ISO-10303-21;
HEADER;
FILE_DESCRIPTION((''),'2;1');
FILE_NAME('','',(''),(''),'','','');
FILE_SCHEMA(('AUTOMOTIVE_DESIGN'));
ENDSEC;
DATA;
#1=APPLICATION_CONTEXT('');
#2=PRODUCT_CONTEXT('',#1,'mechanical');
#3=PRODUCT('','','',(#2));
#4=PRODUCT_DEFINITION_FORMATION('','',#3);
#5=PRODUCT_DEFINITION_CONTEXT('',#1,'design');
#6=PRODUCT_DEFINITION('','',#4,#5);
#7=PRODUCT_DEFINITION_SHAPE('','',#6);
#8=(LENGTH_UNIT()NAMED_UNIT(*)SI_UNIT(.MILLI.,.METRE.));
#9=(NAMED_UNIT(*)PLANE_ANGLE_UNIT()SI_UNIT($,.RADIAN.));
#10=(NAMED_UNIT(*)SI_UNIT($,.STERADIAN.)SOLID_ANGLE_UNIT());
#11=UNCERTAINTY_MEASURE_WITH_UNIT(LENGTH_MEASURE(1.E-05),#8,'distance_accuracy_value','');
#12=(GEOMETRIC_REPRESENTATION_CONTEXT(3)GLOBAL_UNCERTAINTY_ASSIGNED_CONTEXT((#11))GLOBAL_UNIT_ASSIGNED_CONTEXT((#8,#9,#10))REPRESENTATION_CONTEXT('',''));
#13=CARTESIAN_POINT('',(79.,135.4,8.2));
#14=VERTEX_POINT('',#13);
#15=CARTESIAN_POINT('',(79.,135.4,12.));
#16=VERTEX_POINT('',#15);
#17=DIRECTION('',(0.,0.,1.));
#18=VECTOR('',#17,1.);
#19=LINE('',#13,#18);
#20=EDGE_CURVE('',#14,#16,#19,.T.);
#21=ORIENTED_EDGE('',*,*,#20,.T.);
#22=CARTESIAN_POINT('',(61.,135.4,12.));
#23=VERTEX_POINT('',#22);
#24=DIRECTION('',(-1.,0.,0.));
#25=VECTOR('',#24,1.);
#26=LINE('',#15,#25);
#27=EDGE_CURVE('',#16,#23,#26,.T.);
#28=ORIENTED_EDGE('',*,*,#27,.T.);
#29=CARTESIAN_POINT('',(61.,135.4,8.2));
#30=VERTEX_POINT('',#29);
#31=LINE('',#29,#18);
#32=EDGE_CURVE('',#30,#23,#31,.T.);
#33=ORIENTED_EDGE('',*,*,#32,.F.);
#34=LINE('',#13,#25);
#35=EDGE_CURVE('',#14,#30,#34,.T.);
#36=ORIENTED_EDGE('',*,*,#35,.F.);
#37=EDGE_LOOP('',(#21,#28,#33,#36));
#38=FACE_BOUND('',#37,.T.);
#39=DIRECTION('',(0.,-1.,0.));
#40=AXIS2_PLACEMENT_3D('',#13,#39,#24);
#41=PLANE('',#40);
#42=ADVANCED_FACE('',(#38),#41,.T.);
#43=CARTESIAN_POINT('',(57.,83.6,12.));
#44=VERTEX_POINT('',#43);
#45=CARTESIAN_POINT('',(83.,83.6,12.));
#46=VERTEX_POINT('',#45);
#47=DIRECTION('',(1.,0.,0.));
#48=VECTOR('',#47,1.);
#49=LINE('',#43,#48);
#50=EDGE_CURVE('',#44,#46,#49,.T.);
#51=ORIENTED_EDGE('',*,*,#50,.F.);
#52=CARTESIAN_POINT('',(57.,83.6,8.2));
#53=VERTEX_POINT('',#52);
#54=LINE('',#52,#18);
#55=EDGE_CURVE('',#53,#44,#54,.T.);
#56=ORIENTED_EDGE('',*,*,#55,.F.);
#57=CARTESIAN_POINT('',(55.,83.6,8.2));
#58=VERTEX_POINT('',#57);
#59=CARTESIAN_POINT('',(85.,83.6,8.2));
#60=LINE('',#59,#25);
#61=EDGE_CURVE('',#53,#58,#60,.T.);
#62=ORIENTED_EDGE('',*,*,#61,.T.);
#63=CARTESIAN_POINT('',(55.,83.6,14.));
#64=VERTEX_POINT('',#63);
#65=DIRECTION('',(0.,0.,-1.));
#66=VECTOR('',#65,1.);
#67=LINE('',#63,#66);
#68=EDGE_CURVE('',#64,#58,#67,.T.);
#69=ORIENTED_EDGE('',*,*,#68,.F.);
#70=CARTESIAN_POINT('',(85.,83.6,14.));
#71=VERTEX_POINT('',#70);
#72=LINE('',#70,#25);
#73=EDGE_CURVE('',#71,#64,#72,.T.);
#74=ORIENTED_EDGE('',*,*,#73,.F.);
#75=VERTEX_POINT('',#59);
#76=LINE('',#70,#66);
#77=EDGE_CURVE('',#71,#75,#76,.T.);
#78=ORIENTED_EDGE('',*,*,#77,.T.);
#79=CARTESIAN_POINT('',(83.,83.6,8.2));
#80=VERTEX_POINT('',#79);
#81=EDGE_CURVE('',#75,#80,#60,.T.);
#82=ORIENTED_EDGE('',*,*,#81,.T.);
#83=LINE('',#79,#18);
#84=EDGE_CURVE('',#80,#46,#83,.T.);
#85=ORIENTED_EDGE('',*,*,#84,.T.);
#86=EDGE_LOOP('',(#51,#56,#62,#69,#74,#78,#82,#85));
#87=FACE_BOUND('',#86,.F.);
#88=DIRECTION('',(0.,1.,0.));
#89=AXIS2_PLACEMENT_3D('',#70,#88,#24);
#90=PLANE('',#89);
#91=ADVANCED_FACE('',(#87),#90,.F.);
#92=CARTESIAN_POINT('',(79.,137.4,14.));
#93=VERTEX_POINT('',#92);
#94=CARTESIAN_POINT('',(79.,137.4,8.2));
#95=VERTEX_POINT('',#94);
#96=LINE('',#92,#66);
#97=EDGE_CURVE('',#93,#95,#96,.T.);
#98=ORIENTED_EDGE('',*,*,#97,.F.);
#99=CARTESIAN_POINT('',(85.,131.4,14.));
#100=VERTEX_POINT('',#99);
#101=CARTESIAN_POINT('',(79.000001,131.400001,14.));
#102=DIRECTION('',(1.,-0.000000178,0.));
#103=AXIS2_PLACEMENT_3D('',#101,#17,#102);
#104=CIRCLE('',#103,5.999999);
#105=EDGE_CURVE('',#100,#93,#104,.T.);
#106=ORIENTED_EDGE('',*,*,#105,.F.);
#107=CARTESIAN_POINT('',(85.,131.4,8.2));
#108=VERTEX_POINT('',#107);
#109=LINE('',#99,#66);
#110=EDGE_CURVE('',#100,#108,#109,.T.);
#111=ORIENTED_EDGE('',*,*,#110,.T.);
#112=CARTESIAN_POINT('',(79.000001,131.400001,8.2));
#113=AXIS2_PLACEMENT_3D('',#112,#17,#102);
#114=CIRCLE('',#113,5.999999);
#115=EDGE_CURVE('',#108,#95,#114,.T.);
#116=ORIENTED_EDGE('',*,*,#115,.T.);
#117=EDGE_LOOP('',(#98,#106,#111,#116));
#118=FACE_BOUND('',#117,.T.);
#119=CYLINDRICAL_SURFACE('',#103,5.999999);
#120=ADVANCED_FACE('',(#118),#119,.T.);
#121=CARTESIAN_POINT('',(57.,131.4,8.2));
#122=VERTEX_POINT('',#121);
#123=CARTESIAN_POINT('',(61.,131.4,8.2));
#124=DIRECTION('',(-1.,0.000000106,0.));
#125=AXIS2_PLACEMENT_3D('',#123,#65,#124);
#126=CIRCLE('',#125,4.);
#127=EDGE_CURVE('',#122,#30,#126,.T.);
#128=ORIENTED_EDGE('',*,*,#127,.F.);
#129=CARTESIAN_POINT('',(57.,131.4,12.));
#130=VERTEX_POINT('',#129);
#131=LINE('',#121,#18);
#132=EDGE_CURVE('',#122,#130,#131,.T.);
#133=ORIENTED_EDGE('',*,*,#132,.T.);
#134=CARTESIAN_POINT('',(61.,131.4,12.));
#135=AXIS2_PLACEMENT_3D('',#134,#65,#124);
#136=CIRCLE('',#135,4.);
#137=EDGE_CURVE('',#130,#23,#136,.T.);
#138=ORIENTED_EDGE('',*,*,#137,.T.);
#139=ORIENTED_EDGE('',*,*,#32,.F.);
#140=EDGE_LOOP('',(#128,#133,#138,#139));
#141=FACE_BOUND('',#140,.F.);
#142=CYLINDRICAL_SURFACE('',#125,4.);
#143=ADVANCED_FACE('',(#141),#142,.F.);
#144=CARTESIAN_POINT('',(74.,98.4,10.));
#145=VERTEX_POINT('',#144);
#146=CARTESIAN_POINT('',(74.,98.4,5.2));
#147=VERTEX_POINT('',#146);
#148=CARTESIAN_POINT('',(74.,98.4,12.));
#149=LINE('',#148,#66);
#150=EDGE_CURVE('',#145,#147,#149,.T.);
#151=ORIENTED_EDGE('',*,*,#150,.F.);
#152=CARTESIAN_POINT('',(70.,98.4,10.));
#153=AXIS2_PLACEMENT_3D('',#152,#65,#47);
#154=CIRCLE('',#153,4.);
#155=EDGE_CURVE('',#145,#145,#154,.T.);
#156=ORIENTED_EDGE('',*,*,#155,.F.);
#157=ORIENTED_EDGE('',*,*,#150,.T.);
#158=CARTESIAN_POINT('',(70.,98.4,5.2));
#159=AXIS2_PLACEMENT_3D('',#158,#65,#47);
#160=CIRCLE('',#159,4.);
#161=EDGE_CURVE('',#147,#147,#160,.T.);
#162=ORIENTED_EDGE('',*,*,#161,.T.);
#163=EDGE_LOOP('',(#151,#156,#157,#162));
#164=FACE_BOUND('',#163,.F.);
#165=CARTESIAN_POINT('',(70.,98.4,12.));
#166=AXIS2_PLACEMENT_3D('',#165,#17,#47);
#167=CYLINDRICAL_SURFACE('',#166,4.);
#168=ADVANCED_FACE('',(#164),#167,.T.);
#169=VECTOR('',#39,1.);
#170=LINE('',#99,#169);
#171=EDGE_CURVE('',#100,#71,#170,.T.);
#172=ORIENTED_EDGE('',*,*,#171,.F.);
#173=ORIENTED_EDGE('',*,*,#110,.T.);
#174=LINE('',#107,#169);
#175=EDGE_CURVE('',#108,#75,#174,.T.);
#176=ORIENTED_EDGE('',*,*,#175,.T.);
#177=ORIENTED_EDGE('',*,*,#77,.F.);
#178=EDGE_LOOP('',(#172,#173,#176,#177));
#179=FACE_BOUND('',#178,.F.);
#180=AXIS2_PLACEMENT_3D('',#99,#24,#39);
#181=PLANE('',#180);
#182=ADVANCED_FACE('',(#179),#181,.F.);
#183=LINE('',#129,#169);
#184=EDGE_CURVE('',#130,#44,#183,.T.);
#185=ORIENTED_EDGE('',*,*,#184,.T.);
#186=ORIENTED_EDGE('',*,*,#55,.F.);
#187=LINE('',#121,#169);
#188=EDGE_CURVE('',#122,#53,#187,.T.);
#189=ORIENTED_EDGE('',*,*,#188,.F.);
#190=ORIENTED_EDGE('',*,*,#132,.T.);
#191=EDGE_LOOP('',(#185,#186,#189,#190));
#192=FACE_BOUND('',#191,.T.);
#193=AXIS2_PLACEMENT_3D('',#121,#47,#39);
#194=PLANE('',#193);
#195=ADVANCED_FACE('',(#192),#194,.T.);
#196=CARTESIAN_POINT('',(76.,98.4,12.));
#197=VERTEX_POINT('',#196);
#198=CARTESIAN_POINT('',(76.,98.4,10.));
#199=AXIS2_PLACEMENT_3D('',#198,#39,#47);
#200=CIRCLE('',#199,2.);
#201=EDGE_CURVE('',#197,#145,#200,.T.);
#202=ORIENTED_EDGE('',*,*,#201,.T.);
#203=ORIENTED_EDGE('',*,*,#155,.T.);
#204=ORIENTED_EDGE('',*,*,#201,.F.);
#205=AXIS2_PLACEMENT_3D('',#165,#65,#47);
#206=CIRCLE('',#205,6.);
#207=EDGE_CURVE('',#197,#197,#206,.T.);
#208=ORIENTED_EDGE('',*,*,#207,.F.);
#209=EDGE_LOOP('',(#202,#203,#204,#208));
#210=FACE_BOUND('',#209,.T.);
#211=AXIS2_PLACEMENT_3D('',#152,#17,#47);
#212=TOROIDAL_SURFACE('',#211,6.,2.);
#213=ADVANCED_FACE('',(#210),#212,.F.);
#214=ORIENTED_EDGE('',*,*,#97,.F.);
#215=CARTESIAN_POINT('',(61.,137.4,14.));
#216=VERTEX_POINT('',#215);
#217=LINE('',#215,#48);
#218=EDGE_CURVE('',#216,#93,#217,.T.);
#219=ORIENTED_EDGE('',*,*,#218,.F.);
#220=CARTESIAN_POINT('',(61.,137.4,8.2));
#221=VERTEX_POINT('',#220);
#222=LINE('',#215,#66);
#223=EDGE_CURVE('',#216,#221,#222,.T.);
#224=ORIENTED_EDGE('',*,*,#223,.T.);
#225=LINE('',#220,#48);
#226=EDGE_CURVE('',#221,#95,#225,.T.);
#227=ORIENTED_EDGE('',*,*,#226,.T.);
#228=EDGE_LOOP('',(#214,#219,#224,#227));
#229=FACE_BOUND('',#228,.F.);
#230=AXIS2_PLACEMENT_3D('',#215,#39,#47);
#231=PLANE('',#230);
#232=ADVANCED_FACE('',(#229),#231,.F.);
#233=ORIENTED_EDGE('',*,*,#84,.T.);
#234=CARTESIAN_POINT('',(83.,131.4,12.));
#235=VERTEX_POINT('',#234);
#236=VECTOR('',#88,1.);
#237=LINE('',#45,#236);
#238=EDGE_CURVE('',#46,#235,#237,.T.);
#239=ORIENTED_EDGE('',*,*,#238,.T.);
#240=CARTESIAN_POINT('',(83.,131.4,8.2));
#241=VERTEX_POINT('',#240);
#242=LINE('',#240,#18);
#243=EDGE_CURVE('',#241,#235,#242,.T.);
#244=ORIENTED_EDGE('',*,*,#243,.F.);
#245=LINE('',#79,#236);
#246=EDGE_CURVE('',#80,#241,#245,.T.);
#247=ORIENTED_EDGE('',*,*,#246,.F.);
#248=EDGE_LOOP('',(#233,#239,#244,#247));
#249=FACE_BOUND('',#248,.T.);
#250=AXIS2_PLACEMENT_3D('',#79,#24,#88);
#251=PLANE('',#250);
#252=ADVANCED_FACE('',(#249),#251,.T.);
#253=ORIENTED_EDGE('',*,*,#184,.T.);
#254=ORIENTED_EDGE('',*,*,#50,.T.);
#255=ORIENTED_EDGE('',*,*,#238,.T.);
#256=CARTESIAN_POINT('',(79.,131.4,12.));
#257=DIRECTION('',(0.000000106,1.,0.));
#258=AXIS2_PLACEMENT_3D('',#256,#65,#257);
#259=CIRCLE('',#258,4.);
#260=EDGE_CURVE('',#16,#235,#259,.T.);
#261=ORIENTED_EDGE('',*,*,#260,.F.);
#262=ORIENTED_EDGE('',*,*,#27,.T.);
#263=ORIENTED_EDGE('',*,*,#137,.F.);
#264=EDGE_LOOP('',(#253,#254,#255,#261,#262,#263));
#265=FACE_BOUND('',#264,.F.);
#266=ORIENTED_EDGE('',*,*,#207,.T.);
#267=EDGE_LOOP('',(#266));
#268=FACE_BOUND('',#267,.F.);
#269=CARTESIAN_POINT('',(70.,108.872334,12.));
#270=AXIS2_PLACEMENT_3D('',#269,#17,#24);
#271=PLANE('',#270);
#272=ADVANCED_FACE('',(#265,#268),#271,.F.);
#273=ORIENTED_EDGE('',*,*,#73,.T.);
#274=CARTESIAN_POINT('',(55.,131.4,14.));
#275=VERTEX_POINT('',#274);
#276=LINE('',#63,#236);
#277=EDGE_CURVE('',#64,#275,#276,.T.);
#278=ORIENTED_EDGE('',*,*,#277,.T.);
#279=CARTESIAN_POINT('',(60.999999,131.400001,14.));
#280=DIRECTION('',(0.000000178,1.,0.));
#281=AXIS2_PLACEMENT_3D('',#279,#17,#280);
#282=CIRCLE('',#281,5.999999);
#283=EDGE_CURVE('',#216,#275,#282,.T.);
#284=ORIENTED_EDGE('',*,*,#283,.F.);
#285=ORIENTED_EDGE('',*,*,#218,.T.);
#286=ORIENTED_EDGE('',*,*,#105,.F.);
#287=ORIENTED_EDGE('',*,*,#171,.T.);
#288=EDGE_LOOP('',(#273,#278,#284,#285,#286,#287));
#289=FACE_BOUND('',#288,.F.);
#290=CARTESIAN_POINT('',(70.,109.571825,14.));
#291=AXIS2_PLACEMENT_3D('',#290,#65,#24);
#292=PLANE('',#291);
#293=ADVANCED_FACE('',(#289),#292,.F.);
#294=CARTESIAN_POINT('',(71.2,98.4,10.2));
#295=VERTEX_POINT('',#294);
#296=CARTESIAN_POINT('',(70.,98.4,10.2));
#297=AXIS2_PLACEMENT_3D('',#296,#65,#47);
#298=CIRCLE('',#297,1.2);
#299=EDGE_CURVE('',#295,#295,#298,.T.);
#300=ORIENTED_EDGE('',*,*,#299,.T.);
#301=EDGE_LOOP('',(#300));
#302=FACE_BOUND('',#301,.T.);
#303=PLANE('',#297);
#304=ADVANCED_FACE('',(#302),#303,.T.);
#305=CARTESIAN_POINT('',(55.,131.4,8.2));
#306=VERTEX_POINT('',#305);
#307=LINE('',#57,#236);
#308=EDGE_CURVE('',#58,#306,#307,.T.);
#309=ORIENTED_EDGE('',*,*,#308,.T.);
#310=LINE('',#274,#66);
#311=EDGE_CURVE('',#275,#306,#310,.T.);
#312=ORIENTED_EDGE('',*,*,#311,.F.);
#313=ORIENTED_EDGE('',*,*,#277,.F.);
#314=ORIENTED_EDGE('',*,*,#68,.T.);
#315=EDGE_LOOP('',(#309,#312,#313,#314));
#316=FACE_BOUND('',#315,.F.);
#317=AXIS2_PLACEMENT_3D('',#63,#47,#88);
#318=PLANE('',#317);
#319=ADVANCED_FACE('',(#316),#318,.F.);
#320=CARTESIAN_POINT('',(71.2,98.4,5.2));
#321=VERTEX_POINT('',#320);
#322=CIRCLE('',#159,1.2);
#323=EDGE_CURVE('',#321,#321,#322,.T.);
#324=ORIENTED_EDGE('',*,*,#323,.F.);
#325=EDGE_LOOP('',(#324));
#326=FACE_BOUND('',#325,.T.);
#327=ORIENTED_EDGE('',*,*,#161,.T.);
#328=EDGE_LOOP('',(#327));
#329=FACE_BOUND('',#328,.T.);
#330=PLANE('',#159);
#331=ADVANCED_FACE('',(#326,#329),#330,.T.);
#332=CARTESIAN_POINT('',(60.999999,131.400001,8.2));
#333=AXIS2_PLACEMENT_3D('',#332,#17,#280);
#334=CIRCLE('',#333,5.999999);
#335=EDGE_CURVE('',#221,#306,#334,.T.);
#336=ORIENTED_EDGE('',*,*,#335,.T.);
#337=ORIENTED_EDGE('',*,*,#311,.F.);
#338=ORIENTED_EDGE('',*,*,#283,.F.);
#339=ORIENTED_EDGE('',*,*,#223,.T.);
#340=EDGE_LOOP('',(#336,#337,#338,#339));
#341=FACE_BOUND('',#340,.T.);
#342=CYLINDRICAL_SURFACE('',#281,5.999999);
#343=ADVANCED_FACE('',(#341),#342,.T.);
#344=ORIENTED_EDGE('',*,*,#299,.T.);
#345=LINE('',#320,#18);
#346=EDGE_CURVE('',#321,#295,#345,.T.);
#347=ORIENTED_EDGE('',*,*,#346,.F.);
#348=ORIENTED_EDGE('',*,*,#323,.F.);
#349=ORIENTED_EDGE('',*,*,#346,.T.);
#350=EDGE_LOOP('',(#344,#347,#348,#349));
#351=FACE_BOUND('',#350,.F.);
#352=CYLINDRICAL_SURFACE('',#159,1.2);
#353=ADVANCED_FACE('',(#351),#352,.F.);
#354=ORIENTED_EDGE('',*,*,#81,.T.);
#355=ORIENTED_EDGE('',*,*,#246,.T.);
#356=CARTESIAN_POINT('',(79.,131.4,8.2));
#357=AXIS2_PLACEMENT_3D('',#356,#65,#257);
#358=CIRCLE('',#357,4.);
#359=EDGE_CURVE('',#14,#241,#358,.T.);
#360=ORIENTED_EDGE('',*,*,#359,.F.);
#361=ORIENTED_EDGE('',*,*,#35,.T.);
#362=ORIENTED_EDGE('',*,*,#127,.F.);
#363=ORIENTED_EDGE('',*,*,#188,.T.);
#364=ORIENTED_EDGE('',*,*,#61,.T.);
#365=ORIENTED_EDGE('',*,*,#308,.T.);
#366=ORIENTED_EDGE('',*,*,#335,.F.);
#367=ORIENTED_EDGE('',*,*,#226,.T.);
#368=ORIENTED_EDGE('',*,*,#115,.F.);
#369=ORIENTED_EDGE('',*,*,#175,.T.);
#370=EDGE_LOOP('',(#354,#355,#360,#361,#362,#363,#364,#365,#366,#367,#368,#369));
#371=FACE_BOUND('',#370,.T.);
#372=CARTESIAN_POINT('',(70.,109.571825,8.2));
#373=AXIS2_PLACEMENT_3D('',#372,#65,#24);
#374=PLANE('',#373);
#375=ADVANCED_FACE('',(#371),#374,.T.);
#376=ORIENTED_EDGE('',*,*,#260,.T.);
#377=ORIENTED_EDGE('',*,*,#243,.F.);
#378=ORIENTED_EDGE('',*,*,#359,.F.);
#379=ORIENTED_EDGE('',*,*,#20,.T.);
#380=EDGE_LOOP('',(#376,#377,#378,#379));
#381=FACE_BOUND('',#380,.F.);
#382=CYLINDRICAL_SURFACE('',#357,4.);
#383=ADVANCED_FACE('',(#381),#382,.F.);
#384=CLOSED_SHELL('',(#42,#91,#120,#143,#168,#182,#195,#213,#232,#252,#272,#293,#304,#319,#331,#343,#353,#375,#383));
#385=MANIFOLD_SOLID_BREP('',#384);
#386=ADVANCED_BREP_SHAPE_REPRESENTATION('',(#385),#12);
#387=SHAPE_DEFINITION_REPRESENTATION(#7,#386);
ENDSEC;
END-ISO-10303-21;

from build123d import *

# Parameters (mm, degrees)
PAD016_DEPTH    = 5.8
POCKET020_DEPTH = 3.8
SKETCH068_R     = 4
PAD017_DEPTH    = 6.8
SKETCH069_R     = 1.2
POCKET021_DEPTH = 5
FILLET002_R     = 2


with BuildPart() as part:
    # Sketch066 (on DatumPlane) → Pad016 (new body)
    with BuildSketch(Plane.XY.offset(14)):
        with BuildLine():
            Line((61, 137.4), (79, 137.4))
            ThreePointArc((85, 131.4), (83.242641, 135.642641), (79, 137.4))
            Line((85, 131.4), (85, 83.6))
            Line((85, 83.6), (55, 83.6))
            Line((55, 83.6), (55, 131.4))
            ThreePointArc((61, 137.4), (56.757359, 135.642641), (55, 131.4))
        make_face()
    extrude(amount=-PAD016_DEPTH)

    # Sketch067 (on Face8 of Pad016) → Pocket020 (cut)
    with BuildSketch(Plane(origin=(0, 0, 8.2), x_dir=(1, 0, 0), z_dir=(0, 0, -1))):
        with BuildLine():
            Line((57, -83.6), (83, -83.6))
            Line((83, -83.6), (83, -131.4))
            ThreePointArc((79, -135.4), (81.828427, -134.228427), (83, -131.4))
            Line((79, -135.4), (61, -135.4))
            ThreePointArc((57, -131.4), (58.171573, -134.228427), (61, -135.4))
            Line((57, -131.4), (57, -83.6))
        make_face()
    extrude(amount=-POCKET020_DEPTH, mode=Mode.SUBTRACT)

    # Sketch068 (on Face14 of Pocket020) → Pad017 (join)
    with BuildSketch(Plane(origin=(0, 0, 12), x_dir=(1, 0, 0), z_dir=(0, 0, -1))):
        with Locations((70, -98.4)):
            Circle(SKETCH068_R)
    extrude(amount=PAD017_DEPTH)

    # Sketch069 (on Face16 of Pad017) → Pocket021 (cut)
    with BuildSketch(Plane(origin=(0, 0, 5.2), x_dir=(1, 0, 0), z_dir=(0, 0, -1))):
        with Locations((70, -98.4)):
            Circle(SKETCH069_R)
    extrude(amount=-POCKET021_DEPTH, mode=Mode.SUBTRACT)

    # Fillet002
    fillet002_edges = [part.edges().sort_by_distance(p)[0] for p in [
        (66, 98.4, 12),
    ]]
    fillet(fillet002_edges, radius=FILLET002_R)


solid = part.part
